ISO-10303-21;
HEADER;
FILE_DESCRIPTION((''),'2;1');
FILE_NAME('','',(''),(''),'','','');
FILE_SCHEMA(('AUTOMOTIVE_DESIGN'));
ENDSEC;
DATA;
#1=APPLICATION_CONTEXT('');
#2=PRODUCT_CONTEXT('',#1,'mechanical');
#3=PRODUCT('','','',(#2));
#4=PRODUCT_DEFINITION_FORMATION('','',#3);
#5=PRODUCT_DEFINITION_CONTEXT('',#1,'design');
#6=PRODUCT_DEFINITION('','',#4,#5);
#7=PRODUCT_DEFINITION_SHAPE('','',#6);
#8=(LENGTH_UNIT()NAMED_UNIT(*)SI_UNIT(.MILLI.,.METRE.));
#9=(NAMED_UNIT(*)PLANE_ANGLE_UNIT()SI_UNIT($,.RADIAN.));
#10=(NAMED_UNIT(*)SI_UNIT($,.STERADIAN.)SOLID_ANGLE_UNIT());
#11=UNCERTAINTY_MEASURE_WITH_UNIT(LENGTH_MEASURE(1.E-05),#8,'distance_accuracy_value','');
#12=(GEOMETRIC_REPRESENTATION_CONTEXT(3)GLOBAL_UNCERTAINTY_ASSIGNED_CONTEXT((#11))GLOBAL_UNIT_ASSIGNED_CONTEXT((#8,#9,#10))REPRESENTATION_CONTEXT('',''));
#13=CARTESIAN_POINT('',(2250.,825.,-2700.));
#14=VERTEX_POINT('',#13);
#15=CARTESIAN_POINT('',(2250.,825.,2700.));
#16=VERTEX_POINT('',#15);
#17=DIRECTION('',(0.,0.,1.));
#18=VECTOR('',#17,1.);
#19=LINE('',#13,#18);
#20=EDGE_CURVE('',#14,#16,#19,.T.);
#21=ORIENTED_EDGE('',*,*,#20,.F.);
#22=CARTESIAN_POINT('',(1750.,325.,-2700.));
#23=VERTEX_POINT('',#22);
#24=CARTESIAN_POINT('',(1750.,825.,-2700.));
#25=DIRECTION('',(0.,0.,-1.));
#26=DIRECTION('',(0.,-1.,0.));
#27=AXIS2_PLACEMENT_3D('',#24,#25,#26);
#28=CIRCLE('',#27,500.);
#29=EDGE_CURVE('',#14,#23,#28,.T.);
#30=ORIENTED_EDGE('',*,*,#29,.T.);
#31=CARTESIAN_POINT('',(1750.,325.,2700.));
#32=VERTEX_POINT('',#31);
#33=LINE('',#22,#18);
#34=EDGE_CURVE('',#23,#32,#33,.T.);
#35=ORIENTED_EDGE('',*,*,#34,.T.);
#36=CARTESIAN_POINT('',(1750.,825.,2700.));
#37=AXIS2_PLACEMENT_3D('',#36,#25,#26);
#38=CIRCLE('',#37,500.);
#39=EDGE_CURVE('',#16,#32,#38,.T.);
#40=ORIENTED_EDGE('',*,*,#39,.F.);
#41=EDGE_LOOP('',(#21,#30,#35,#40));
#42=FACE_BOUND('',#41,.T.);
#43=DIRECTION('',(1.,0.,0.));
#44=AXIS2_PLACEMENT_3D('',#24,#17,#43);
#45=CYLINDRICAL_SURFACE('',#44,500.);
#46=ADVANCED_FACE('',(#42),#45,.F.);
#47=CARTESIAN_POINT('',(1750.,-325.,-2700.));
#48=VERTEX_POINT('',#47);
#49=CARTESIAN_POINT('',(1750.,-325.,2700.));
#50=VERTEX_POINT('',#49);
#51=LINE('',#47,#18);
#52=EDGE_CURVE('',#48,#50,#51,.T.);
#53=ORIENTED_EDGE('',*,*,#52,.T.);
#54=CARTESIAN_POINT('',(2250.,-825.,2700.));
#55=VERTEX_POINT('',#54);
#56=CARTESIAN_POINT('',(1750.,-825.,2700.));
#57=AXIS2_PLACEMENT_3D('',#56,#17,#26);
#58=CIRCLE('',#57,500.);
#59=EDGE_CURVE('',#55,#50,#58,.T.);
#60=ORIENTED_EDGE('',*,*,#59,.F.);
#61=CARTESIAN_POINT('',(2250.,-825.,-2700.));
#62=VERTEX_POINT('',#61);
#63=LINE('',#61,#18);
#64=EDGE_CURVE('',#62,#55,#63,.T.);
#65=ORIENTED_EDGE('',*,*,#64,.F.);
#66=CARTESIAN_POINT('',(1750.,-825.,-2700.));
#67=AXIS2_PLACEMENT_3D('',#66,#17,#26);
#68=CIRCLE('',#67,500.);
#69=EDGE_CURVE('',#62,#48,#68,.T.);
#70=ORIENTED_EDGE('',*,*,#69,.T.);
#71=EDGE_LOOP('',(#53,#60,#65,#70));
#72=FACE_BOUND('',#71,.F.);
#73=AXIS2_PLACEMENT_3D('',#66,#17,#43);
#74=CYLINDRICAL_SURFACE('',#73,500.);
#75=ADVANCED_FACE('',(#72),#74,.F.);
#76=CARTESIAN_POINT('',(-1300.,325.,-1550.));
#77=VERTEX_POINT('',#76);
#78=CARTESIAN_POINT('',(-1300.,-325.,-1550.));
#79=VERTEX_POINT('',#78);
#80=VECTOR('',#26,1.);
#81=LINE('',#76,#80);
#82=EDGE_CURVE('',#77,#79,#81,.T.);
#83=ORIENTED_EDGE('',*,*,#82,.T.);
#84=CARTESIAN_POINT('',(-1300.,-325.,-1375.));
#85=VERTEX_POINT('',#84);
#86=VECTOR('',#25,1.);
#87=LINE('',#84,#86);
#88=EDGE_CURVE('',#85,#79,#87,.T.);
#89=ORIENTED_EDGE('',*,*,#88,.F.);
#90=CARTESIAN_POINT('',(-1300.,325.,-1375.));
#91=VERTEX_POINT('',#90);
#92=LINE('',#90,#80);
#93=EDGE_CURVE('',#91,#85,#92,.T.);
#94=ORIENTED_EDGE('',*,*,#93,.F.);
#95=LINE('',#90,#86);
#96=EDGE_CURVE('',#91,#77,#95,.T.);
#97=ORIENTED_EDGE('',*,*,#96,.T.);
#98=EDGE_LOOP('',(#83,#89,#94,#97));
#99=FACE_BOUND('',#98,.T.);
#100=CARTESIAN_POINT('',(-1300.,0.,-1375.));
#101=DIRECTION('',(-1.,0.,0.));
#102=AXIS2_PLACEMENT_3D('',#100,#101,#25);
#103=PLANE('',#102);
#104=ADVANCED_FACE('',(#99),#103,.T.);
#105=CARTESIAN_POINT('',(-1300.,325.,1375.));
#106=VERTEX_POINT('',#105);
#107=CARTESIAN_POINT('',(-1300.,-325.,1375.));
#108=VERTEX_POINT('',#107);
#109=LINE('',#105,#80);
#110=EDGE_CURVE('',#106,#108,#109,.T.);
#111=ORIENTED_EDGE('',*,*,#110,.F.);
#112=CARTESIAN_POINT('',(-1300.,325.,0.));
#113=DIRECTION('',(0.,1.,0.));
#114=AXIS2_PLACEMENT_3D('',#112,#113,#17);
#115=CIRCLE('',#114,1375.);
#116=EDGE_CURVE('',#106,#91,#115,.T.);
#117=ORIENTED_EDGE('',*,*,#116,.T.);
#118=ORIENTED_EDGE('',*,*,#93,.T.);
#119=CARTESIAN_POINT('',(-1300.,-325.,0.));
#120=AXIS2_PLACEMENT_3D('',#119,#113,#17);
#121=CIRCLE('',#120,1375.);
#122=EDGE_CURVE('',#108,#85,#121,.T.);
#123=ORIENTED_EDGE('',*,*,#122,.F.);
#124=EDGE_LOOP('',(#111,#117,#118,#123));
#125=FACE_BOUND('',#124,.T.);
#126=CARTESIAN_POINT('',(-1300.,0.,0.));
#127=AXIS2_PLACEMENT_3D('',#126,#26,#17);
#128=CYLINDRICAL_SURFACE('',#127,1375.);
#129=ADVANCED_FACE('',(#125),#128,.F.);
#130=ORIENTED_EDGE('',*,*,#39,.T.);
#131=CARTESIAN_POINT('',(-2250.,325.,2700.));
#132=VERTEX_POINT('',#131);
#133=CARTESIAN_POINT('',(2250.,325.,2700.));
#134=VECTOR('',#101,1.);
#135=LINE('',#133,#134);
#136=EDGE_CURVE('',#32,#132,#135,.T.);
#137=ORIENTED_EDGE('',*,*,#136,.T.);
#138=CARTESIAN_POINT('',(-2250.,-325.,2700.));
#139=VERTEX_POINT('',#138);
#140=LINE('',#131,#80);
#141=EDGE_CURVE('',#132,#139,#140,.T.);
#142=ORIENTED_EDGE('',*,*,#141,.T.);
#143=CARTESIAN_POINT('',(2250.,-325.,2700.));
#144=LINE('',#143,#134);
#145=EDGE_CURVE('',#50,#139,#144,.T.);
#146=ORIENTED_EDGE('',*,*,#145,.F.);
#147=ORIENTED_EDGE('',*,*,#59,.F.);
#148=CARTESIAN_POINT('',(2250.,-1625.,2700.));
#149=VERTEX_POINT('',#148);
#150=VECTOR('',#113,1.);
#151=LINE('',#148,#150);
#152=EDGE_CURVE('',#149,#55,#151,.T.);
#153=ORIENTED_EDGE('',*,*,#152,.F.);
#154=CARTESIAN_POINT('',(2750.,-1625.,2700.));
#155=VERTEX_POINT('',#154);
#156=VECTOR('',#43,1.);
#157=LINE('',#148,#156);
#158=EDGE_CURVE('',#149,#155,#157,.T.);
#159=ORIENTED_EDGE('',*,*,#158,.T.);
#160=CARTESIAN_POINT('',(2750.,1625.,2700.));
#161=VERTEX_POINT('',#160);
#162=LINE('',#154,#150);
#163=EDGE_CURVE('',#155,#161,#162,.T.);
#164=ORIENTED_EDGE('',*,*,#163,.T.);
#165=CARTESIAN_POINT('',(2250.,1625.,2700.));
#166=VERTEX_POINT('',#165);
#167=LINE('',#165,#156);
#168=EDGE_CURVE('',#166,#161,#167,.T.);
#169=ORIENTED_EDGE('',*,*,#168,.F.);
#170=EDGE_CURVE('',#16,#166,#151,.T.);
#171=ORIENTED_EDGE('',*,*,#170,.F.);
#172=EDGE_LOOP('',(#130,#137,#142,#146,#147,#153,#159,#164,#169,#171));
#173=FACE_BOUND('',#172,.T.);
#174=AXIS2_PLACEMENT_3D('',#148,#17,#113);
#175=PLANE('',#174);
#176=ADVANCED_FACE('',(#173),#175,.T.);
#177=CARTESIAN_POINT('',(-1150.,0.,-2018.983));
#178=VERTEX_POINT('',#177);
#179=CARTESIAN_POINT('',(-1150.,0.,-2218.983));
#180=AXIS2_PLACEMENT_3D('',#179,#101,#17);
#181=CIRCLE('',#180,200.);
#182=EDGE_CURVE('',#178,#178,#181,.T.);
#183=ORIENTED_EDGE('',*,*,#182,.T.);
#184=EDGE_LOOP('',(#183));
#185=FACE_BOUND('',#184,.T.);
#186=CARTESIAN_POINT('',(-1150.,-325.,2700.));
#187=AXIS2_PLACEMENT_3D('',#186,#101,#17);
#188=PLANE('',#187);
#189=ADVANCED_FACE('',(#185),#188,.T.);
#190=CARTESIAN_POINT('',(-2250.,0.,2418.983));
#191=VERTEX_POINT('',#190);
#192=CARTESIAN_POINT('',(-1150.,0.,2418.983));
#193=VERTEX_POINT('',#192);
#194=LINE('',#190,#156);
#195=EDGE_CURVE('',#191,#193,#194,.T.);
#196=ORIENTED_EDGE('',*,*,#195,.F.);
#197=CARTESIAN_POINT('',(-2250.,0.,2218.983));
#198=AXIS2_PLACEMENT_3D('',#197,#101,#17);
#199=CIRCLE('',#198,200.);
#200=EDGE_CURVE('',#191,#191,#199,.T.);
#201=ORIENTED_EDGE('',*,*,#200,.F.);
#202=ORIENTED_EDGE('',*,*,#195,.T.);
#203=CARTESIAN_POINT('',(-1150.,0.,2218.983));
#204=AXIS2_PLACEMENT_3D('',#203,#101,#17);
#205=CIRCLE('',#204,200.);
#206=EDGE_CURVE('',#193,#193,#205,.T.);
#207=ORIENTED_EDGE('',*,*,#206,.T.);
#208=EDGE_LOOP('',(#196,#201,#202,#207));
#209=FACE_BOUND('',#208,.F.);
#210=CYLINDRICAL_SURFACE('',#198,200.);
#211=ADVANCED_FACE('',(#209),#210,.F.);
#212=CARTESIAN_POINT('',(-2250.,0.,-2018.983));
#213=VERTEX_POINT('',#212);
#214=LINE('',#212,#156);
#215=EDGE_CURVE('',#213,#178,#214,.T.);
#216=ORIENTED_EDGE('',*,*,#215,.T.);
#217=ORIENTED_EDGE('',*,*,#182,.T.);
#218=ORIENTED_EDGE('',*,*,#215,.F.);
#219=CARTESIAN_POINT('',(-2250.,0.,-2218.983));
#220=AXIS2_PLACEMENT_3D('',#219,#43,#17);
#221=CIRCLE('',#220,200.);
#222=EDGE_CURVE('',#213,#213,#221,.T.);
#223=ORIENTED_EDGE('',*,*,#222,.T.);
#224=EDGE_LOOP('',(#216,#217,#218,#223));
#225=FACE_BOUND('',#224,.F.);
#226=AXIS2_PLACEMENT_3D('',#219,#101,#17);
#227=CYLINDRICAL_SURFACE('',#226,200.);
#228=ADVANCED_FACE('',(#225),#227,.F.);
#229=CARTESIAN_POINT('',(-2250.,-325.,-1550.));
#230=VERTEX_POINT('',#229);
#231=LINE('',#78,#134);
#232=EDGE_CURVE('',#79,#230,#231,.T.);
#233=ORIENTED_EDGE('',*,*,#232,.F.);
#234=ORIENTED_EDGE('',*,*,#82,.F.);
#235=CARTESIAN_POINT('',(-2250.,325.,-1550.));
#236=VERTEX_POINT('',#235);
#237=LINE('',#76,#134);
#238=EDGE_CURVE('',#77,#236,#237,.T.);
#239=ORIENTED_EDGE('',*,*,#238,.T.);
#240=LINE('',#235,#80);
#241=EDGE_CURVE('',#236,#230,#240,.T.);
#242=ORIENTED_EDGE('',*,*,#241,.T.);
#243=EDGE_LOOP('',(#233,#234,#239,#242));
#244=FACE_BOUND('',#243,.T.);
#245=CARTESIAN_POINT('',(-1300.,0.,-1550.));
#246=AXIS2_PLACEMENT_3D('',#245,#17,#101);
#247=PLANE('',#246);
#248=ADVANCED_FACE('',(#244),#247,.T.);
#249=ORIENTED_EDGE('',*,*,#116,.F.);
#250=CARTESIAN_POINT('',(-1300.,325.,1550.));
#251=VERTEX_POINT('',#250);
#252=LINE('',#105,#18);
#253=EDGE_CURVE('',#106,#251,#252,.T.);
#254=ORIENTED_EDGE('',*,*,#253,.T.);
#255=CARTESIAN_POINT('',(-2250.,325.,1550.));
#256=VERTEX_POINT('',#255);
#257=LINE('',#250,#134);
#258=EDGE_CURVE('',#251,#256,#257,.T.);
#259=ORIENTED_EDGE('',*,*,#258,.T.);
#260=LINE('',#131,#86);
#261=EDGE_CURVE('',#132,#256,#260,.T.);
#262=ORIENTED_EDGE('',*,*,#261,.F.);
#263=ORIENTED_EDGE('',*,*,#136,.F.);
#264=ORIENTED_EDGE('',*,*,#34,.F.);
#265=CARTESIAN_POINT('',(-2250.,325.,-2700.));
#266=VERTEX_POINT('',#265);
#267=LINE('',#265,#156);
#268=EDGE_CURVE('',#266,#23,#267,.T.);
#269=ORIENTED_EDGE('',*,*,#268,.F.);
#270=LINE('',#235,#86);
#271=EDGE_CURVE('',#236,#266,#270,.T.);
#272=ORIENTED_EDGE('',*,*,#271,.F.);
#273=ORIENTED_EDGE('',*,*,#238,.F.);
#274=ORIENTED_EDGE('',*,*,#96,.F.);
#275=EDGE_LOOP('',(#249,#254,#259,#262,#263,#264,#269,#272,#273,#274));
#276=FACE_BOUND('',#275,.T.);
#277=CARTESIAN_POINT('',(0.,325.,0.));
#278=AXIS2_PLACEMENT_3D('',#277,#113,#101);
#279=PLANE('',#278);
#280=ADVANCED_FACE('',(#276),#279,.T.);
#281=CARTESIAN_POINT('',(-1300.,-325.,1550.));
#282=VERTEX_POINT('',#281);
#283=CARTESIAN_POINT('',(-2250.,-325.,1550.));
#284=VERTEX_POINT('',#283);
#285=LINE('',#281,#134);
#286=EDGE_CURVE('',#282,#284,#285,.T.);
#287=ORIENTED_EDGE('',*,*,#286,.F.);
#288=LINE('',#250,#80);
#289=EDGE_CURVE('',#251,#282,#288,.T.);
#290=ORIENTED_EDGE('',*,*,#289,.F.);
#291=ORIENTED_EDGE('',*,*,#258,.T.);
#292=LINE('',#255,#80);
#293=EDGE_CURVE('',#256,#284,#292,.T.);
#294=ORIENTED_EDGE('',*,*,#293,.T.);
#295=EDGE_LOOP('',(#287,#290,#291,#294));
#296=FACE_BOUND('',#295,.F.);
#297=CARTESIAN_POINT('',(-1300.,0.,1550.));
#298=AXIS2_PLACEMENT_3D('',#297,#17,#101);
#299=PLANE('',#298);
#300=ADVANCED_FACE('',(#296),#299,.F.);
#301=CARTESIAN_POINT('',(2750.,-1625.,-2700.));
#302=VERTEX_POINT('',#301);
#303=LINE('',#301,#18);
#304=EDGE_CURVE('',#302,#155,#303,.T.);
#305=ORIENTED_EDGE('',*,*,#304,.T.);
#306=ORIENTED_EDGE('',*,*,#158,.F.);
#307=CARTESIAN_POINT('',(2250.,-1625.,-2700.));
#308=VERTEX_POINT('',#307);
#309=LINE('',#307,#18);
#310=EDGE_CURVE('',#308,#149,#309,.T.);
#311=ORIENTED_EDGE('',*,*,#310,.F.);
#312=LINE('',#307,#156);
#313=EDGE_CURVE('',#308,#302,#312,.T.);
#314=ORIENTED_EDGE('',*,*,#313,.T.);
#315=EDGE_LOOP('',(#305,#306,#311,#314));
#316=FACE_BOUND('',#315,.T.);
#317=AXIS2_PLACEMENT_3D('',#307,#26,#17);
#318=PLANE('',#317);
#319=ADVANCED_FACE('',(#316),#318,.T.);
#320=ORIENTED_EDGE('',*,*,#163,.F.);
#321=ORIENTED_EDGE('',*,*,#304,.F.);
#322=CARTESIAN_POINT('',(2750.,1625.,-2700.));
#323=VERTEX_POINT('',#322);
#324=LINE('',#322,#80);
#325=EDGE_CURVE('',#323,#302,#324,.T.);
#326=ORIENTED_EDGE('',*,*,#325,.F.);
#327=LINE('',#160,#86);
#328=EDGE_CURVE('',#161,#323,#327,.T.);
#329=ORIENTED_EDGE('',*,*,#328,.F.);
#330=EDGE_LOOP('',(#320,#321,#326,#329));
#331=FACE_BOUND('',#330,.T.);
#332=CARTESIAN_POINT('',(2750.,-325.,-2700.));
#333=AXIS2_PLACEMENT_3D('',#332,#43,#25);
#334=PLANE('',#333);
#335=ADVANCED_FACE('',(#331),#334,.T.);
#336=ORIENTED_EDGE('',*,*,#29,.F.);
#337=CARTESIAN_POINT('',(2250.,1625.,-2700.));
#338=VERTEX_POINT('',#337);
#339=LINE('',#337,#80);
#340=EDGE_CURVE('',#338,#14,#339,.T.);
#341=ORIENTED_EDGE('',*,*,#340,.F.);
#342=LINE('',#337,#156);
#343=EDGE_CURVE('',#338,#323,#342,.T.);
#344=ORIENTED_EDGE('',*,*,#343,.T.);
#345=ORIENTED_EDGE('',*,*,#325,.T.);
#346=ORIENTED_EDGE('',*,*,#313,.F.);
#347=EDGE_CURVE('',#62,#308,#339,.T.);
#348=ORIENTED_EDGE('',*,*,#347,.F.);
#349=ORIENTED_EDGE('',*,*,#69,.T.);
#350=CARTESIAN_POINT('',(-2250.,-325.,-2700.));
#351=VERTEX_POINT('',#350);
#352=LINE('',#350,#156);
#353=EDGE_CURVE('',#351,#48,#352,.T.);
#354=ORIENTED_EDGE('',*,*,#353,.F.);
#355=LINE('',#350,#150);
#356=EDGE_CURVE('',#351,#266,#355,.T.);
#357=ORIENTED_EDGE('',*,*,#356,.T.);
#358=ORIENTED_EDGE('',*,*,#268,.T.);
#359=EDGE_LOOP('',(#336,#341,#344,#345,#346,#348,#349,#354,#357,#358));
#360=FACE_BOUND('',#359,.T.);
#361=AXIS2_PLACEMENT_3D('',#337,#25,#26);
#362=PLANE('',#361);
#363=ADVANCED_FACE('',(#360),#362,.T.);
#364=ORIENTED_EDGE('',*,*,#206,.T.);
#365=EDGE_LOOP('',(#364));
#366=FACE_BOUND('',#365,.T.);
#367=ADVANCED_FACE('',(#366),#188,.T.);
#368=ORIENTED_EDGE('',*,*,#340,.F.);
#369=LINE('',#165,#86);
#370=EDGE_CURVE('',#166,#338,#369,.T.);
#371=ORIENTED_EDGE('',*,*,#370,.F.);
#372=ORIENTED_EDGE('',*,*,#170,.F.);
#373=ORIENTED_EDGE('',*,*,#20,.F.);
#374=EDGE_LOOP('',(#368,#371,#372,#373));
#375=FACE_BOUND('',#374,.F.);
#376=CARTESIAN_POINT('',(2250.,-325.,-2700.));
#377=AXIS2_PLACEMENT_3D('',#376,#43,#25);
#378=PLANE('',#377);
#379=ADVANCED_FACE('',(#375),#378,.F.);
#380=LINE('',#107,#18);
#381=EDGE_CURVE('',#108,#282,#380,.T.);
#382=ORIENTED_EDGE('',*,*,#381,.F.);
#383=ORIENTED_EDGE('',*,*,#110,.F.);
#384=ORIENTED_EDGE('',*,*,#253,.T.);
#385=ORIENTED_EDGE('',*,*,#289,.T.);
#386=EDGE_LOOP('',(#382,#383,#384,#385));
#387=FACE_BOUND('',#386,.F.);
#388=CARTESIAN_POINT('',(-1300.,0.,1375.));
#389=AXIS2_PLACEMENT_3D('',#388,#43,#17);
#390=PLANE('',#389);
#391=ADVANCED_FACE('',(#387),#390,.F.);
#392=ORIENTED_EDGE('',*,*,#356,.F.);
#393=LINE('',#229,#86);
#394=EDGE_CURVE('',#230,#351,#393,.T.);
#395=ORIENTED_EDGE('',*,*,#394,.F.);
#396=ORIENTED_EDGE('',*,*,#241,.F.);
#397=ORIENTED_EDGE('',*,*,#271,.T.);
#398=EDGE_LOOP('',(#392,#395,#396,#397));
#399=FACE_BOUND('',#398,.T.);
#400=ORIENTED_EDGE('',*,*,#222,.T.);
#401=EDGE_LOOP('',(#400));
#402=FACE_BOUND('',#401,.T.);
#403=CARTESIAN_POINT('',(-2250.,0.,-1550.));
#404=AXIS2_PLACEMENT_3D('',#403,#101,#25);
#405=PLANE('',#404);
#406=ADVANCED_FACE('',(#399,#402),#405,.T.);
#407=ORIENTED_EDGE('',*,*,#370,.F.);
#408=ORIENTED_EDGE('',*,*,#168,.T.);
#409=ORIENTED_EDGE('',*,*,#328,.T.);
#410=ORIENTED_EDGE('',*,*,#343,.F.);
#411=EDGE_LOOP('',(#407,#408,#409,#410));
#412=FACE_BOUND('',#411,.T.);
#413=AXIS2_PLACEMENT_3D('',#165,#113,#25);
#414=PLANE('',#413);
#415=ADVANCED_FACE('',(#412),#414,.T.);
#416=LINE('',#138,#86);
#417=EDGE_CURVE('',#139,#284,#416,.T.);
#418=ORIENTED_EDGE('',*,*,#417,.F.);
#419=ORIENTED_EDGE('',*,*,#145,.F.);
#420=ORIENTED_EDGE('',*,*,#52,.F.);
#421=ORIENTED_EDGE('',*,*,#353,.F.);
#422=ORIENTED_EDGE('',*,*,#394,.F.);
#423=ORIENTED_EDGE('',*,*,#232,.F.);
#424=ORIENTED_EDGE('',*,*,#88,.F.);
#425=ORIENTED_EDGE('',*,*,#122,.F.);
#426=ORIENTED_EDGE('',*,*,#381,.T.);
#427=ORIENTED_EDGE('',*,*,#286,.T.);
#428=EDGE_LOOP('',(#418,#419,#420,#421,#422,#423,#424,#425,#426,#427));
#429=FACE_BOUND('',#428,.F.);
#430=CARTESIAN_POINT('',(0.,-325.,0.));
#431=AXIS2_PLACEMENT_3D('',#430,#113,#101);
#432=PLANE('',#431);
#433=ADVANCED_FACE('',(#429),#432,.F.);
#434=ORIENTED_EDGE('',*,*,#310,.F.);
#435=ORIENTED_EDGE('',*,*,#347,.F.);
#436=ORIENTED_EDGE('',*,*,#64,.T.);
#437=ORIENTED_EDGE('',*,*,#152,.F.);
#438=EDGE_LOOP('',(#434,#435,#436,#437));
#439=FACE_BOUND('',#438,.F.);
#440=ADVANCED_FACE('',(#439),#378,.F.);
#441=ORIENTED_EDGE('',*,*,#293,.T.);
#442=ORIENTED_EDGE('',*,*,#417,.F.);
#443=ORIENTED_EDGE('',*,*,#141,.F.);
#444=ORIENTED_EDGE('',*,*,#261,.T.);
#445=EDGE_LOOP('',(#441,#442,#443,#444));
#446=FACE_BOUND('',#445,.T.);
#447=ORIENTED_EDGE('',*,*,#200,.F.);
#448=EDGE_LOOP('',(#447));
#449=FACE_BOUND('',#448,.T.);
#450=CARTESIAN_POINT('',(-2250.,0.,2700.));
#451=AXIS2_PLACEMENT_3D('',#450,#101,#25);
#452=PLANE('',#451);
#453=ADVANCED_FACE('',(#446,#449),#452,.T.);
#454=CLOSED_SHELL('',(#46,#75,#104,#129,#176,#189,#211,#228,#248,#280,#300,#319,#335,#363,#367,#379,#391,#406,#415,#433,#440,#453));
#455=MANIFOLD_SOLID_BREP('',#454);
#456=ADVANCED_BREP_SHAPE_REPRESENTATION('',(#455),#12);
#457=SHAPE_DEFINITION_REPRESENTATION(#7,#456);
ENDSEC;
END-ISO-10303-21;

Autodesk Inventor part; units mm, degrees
ref_plane "YZ Plane" through (0, 0, 0) normal (1, 0, 0) x (0, 1, 0)
ref_plane "XZ Plane" through (0, 0, 0) normal (0, 1, 0) x (-1, 0, 0)
ref_plane "XY Plane" through (0, 0, 0) normal (0, 0, 1) x (1, 0, 0)
sketch "Sketch1" plane through (0, 0, 0) normal (0, 1, 0) x (-1, 0, 0)
  line L0 (-2250, 2700) -> (2250, 2700)
  line L1 (2250, -2700) -> (-2250, -2700)
  line L2 (-2250, -2700) -> (-2250, 2700)
  line L3 (1300, -1375) -> (1300, -1550)
  line L4 (1300, -1550) -> (2250, -1550)
  line L5 (1300, 1375) -> (1300, 1550)
  line L6 (1300, 1550) -> (2250, 1550)
  arc A0 (1300, 1375) -> (1300, -1375) centre (1300, 0) ccw
  line L7 (2250, 2700) -> (2250, 1550)
  line L8 (2250, -1550) -> (2250, -2700)
extrude "Extrusion1" add sketch "Sketch1" along normal mid plane 650
sketch "Sketch2" plane through (2250, -325, -2700) normal (1, 0, 0) x (0, 0, -1)
  line L0 (-5400, 1950) -> (0, 1950)
  line L1 (0, 1950) -> (0, -1300)
  line L2 (0, -1300) -> (-5400, -1300)
  line L3 (-5400, -1300) -> (-5400, 1950)
  line L4 (-5400, 1950) -> (0, -1300) construction
  line L5 (0, 1950) -> (-5400, -1300) construction
  point P0 (-2700, 325)
  dimension "d10" = 3250
extrude "Extrusion2" add sketch "Sketch2" along normal blind 500
fillet "Fillet1" radius 500 2 edges at (2250, 325, 0) (2250, -325, 0)
sketch "Sketch3" plane through (-2250, -325, 2700) normal (-1, 0, 0) x (0, 0, 1)
  line L0 (0, 0) -> (-5400, 0) projected
  line L1 (0, 0) -> (0, 325)
  line L2 (0, 1950) -> (0, -1300) projected
  line L3 (0, 325) -> (-481.017, 325)
  circle A0 centre (-481.017, 325) radius 200
  line L4 (-5400, 0) -> (-5400, 325)
  line L5 (-5400, -1300) -> (-5400, 1950) projected
  line L6 (-5400, 325) -> (-4918.983, 325)
  circle A1 centre (-4918.983, 325) radius 200
  point P0 (-2700, 325)
  dimension "d14" = 325
  dimension "d15" = 481.017
  dimension "d16" = 400
  dimension "d17" = 325
  dimension "d18" = 481.017
  dimension "d19" = 400
extrude "Extrusion3" cut sketch "Sketch3" against normal blind 1100
